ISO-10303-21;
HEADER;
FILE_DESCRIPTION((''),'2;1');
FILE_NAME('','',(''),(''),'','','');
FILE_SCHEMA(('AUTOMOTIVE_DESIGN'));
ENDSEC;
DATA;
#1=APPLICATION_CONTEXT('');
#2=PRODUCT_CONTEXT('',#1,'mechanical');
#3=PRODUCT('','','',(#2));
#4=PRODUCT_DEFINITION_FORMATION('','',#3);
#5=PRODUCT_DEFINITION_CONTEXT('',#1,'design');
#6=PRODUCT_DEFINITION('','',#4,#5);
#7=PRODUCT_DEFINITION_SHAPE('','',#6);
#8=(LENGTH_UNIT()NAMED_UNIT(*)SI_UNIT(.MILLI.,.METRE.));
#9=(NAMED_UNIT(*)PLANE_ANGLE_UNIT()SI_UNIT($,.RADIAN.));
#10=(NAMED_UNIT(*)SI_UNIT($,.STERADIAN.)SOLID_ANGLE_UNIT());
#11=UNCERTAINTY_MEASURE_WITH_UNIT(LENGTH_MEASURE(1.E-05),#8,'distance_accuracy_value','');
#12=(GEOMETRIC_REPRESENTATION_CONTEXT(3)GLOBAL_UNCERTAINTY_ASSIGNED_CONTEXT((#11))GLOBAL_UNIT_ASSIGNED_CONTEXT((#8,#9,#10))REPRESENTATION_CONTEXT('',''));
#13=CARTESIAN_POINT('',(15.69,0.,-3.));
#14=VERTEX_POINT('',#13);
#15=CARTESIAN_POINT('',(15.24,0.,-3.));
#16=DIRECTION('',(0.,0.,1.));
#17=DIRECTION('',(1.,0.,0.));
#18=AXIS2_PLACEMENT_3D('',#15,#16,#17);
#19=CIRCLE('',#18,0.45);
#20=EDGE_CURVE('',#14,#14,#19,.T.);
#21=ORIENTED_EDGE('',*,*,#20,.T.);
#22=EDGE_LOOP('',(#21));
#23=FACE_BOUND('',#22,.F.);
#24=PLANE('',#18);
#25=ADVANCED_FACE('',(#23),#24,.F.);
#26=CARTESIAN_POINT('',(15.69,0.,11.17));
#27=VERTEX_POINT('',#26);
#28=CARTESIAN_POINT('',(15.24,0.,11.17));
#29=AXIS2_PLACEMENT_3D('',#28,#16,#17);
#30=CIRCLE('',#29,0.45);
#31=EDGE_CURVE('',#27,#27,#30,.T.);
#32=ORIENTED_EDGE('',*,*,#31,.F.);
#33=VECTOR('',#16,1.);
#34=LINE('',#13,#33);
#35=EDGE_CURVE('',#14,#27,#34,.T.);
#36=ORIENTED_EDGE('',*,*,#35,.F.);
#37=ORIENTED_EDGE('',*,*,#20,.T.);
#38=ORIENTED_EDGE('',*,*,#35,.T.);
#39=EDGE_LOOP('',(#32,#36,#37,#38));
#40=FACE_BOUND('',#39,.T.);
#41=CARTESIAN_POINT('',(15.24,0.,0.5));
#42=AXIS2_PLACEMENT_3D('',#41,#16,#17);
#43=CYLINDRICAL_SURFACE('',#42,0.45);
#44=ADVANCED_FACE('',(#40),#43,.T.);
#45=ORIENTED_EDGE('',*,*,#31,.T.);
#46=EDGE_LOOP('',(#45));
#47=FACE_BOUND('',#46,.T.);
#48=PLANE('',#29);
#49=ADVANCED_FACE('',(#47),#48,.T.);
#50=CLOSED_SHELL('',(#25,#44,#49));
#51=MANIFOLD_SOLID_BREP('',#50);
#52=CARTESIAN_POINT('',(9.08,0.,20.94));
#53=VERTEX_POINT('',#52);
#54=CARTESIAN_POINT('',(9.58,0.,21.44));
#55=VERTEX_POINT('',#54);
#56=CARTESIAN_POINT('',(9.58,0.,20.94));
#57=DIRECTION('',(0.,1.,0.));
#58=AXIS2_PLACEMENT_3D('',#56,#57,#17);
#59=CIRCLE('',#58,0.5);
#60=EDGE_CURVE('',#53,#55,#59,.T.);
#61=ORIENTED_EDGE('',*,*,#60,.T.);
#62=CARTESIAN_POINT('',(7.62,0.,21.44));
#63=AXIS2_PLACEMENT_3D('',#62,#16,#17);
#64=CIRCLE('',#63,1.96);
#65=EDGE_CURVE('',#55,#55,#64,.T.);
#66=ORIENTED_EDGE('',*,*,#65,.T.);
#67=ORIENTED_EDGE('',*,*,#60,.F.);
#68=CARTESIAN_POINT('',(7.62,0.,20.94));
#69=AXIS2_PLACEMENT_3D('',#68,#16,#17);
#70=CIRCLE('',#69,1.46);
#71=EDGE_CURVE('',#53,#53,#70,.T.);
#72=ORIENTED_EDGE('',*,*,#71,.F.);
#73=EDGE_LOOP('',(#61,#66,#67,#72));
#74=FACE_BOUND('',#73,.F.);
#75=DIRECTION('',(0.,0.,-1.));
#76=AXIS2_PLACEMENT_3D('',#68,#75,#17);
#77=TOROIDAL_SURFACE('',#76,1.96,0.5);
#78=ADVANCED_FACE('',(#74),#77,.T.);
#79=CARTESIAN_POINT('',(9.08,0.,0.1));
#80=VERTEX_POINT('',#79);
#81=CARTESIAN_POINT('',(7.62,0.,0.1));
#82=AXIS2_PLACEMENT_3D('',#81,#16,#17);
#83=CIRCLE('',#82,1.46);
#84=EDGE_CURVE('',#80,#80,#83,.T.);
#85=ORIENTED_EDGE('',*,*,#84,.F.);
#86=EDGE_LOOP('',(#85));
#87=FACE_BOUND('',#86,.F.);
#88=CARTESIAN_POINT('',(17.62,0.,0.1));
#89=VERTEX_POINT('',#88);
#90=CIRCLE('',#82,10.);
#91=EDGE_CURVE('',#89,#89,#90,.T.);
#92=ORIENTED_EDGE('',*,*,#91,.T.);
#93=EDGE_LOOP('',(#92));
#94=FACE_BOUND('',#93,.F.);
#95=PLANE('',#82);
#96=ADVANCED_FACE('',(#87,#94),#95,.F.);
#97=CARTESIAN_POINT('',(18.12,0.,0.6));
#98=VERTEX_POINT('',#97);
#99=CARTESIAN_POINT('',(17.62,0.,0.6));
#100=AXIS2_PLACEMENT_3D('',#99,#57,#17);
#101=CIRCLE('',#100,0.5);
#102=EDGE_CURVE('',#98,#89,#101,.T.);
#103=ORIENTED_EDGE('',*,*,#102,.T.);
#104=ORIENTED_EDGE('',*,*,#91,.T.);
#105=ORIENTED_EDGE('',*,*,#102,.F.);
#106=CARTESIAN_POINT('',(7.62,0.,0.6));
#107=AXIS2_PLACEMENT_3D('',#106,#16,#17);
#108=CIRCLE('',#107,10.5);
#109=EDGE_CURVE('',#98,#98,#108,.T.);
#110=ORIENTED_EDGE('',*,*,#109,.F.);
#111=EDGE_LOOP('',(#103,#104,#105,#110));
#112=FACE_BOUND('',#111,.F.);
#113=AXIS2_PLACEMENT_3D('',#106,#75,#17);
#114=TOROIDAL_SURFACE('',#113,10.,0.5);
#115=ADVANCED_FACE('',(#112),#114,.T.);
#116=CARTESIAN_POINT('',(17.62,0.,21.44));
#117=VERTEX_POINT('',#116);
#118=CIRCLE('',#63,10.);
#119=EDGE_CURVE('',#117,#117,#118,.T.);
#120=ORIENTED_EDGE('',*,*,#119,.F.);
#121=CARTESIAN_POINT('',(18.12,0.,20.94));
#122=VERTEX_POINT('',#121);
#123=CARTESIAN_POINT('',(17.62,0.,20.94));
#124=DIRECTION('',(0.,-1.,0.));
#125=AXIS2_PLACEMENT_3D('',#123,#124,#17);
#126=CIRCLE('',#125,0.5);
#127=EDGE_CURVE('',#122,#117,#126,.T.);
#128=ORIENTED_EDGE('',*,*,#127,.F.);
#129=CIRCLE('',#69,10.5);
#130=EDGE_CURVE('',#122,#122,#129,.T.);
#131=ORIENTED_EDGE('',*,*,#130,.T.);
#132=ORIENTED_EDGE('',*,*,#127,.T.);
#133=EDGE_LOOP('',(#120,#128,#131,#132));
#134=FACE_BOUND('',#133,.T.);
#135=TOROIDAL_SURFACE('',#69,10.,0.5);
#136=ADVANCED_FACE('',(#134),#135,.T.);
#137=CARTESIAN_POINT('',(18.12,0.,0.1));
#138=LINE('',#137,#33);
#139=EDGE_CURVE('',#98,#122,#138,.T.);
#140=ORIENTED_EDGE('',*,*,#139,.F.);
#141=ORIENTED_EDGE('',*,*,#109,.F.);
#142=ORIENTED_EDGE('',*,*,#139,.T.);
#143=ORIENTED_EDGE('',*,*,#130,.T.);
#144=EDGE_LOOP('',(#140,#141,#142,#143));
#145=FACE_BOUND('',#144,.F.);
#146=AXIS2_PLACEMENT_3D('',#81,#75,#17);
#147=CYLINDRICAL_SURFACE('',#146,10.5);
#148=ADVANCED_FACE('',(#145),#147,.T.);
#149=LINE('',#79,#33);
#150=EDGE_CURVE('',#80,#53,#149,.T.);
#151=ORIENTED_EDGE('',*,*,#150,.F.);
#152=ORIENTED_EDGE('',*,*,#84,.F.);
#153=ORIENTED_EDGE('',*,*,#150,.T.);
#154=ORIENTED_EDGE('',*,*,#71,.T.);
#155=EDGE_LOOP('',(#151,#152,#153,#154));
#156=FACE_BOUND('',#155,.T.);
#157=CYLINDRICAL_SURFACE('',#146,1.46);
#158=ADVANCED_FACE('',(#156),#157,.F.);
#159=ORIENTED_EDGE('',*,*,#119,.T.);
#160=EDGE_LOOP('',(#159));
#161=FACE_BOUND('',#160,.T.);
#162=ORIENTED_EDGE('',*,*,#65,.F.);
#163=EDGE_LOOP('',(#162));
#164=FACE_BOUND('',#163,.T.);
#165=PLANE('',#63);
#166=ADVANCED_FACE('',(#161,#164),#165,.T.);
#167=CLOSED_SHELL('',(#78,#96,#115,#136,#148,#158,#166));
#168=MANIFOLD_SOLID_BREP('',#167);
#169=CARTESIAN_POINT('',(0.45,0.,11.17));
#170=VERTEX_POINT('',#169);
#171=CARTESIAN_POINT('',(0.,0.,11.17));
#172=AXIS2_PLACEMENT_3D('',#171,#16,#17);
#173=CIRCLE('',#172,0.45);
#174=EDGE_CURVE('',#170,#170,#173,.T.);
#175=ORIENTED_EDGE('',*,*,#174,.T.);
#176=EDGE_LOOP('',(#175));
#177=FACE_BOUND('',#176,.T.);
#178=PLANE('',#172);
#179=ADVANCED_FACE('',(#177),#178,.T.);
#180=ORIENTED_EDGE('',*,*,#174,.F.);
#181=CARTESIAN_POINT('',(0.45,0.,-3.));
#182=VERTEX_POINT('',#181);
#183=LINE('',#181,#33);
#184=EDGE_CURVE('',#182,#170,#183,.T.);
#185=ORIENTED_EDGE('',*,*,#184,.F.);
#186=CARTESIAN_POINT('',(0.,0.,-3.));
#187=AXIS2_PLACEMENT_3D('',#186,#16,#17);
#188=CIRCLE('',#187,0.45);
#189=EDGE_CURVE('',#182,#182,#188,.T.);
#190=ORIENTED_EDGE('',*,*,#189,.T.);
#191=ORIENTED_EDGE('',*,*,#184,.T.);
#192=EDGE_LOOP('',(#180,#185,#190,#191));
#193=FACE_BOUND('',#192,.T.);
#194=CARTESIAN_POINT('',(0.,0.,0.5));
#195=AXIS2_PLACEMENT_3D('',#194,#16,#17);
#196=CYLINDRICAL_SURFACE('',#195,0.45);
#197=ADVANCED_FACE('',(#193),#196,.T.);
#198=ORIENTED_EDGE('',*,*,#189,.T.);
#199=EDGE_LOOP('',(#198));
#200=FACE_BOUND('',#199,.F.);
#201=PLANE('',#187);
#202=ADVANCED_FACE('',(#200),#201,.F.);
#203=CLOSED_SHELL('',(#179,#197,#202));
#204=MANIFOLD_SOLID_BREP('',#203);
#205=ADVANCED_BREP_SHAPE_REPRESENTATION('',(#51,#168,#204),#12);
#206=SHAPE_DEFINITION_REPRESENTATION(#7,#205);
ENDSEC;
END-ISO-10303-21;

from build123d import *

# Parameters (mm, degrees)
SKETCH001_R       = 0.45
PAD001_DEPTH      = 10.67
PAD001_DEPTH_BACK = 3.5
SKETCH_R          = 10.5
SKETCH_R_2        = 1.46
PAD_DEPTH         = 21.34
FILLET_R          = 0.5


with BuildPart() as pad001:
    # Sketch001 → Pad001 (new body, two sides)
    with BuildSketch(Plane.XY.offset(0.5)) as pad001_sk:
        Circle(SKETCH001_R)
        with Locations((15.24, 0)):
            Circle(SKETCH001_R)
    extrude(amount=PAD001_DEPTH)
    extrude(pad001_sk.sketch, amount=-PAD001_DEPTH_BACK)


with BuildPart() as fillet_body:
    # Sketch → Pad (new body)
    with BuildSketch(Plane.XY.offset(0.1)):
        with Locations((7.62, 0)):
            Circle(SKETCH_R)
        with Locations((7.62, 0)):
            Circle(SKETCH_R_2, mode=Mode.SUBTRACT)
    extrude(amount=PAD_DEPTH)

    # Fillet
    fillet_edges = [fillet_body.edges().sort_by_distance(p)[0] for p in [
        (6.16, 0, 21.44),
        (-2.88, 0, 21.44),
        (-2.88, 0, 0.1),
    ]]
    fillet(fillet_edges, radius=FILLET_R)


solid = Compound([pad001.part, fillet_body.part])
